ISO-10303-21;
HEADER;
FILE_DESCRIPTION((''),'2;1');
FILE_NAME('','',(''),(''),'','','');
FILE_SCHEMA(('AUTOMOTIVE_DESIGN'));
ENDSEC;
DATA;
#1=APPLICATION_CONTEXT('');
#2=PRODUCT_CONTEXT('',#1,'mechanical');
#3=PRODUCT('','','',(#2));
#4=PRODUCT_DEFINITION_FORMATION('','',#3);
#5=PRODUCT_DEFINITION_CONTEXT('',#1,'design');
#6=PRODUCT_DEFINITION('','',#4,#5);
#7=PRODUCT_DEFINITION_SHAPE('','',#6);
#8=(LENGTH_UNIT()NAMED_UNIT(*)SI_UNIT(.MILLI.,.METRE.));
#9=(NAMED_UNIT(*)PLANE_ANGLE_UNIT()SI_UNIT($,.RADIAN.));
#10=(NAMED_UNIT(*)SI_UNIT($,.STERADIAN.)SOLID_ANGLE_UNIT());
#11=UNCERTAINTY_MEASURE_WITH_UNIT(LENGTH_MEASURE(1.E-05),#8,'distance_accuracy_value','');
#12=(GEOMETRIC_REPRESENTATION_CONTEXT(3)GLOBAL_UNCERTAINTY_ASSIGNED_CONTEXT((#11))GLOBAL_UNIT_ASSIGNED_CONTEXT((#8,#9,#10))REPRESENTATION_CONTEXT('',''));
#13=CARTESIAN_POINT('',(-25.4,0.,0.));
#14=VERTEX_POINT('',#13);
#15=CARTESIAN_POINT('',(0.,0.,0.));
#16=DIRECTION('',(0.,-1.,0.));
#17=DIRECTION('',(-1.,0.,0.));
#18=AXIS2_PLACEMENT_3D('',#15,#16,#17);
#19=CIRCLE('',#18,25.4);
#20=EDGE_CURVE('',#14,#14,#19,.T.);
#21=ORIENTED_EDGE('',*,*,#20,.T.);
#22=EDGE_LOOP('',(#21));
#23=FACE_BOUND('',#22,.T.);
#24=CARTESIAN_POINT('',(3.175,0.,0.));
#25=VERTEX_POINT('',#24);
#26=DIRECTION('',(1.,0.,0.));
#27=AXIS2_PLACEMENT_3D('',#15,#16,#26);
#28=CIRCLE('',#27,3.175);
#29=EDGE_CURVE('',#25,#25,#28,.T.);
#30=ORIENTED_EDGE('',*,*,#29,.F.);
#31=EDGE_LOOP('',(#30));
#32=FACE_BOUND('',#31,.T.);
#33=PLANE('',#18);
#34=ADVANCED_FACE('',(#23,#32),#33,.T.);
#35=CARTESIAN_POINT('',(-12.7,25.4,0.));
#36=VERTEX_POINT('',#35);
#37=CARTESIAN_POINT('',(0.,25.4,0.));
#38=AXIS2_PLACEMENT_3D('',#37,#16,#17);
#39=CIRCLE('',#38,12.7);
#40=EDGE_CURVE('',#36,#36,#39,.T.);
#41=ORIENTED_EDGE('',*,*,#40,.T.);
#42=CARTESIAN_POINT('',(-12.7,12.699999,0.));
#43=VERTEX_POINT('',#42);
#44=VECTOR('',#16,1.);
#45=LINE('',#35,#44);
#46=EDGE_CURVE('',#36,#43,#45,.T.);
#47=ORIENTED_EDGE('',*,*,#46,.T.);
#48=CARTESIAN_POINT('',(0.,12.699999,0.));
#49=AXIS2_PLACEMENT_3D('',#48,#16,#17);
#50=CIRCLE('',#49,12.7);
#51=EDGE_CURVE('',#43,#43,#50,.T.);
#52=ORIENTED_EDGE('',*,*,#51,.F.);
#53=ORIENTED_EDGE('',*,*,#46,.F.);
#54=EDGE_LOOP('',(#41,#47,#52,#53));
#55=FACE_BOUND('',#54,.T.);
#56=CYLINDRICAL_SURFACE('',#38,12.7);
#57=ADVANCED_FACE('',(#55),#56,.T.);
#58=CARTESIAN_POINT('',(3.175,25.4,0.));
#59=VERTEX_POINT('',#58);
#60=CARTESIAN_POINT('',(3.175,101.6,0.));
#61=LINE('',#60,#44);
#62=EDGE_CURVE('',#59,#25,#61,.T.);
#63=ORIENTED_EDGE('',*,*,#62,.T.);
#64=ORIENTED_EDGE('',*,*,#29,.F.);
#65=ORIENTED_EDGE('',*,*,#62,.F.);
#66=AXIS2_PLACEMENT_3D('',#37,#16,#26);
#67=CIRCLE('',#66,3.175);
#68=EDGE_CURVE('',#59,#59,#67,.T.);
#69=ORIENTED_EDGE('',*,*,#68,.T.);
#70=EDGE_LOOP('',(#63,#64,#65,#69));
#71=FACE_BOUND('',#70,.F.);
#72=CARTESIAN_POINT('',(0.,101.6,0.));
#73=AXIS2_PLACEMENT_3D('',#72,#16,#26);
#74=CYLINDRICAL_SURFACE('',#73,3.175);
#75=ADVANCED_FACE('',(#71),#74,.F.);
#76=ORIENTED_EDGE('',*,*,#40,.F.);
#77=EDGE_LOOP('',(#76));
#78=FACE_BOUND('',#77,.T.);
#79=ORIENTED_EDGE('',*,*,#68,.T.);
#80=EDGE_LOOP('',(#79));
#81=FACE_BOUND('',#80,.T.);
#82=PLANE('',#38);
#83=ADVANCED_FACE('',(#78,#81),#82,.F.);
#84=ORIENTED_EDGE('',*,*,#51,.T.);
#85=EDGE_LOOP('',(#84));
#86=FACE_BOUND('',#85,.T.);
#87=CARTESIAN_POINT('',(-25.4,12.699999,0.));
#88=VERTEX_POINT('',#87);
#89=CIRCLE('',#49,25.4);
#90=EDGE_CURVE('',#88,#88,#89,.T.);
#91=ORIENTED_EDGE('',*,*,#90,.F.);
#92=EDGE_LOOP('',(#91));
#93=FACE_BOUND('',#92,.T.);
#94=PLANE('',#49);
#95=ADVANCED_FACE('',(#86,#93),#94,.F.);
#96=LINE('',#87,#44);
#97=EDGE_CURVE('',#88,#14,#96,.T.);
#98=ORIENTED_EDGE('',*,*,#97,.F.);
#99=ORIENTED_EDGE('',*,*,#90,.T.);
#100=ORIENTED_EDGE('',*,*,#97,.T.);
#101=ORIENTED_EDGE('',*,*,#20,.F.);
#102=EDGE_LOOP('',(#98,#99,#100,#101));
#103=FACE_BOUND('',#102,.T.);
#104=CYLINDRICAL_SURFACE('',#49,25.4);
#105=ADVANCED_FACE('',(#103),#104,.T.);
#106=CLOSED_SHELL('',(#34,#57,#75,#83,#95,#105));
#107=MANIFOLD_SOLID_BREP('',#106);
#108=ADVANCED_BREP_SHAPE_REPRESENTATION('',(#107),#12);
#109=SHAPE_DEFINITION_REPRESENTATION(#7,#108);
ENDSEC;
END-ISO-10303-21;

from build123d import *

# Parameters (mm, degrees)
F3_D = 6.35


with BuildPart() as f1:
    # F0 (on Top) → F1 (revolve)
    with BuildSketch(Plane.XY):
        Polygon((-25.4, 0), (0, 0), (0, 25.4), (-12.7, 25.4), (-12.7, 12.699999), (-25.4, 12.699999), align=None)
    revolve(axis=Axis((0, 12.7, 0), (0, -1, 0)))

    # F3 (through all)
    with Locations(Plane(origin=(0, 25.4, 0), x_dir=(-1, 0, 0), z_dir=(0, 1, 0))):
        with Locations((0, 0)):
            Hole(F3_D / 2)


solid = f1.part
